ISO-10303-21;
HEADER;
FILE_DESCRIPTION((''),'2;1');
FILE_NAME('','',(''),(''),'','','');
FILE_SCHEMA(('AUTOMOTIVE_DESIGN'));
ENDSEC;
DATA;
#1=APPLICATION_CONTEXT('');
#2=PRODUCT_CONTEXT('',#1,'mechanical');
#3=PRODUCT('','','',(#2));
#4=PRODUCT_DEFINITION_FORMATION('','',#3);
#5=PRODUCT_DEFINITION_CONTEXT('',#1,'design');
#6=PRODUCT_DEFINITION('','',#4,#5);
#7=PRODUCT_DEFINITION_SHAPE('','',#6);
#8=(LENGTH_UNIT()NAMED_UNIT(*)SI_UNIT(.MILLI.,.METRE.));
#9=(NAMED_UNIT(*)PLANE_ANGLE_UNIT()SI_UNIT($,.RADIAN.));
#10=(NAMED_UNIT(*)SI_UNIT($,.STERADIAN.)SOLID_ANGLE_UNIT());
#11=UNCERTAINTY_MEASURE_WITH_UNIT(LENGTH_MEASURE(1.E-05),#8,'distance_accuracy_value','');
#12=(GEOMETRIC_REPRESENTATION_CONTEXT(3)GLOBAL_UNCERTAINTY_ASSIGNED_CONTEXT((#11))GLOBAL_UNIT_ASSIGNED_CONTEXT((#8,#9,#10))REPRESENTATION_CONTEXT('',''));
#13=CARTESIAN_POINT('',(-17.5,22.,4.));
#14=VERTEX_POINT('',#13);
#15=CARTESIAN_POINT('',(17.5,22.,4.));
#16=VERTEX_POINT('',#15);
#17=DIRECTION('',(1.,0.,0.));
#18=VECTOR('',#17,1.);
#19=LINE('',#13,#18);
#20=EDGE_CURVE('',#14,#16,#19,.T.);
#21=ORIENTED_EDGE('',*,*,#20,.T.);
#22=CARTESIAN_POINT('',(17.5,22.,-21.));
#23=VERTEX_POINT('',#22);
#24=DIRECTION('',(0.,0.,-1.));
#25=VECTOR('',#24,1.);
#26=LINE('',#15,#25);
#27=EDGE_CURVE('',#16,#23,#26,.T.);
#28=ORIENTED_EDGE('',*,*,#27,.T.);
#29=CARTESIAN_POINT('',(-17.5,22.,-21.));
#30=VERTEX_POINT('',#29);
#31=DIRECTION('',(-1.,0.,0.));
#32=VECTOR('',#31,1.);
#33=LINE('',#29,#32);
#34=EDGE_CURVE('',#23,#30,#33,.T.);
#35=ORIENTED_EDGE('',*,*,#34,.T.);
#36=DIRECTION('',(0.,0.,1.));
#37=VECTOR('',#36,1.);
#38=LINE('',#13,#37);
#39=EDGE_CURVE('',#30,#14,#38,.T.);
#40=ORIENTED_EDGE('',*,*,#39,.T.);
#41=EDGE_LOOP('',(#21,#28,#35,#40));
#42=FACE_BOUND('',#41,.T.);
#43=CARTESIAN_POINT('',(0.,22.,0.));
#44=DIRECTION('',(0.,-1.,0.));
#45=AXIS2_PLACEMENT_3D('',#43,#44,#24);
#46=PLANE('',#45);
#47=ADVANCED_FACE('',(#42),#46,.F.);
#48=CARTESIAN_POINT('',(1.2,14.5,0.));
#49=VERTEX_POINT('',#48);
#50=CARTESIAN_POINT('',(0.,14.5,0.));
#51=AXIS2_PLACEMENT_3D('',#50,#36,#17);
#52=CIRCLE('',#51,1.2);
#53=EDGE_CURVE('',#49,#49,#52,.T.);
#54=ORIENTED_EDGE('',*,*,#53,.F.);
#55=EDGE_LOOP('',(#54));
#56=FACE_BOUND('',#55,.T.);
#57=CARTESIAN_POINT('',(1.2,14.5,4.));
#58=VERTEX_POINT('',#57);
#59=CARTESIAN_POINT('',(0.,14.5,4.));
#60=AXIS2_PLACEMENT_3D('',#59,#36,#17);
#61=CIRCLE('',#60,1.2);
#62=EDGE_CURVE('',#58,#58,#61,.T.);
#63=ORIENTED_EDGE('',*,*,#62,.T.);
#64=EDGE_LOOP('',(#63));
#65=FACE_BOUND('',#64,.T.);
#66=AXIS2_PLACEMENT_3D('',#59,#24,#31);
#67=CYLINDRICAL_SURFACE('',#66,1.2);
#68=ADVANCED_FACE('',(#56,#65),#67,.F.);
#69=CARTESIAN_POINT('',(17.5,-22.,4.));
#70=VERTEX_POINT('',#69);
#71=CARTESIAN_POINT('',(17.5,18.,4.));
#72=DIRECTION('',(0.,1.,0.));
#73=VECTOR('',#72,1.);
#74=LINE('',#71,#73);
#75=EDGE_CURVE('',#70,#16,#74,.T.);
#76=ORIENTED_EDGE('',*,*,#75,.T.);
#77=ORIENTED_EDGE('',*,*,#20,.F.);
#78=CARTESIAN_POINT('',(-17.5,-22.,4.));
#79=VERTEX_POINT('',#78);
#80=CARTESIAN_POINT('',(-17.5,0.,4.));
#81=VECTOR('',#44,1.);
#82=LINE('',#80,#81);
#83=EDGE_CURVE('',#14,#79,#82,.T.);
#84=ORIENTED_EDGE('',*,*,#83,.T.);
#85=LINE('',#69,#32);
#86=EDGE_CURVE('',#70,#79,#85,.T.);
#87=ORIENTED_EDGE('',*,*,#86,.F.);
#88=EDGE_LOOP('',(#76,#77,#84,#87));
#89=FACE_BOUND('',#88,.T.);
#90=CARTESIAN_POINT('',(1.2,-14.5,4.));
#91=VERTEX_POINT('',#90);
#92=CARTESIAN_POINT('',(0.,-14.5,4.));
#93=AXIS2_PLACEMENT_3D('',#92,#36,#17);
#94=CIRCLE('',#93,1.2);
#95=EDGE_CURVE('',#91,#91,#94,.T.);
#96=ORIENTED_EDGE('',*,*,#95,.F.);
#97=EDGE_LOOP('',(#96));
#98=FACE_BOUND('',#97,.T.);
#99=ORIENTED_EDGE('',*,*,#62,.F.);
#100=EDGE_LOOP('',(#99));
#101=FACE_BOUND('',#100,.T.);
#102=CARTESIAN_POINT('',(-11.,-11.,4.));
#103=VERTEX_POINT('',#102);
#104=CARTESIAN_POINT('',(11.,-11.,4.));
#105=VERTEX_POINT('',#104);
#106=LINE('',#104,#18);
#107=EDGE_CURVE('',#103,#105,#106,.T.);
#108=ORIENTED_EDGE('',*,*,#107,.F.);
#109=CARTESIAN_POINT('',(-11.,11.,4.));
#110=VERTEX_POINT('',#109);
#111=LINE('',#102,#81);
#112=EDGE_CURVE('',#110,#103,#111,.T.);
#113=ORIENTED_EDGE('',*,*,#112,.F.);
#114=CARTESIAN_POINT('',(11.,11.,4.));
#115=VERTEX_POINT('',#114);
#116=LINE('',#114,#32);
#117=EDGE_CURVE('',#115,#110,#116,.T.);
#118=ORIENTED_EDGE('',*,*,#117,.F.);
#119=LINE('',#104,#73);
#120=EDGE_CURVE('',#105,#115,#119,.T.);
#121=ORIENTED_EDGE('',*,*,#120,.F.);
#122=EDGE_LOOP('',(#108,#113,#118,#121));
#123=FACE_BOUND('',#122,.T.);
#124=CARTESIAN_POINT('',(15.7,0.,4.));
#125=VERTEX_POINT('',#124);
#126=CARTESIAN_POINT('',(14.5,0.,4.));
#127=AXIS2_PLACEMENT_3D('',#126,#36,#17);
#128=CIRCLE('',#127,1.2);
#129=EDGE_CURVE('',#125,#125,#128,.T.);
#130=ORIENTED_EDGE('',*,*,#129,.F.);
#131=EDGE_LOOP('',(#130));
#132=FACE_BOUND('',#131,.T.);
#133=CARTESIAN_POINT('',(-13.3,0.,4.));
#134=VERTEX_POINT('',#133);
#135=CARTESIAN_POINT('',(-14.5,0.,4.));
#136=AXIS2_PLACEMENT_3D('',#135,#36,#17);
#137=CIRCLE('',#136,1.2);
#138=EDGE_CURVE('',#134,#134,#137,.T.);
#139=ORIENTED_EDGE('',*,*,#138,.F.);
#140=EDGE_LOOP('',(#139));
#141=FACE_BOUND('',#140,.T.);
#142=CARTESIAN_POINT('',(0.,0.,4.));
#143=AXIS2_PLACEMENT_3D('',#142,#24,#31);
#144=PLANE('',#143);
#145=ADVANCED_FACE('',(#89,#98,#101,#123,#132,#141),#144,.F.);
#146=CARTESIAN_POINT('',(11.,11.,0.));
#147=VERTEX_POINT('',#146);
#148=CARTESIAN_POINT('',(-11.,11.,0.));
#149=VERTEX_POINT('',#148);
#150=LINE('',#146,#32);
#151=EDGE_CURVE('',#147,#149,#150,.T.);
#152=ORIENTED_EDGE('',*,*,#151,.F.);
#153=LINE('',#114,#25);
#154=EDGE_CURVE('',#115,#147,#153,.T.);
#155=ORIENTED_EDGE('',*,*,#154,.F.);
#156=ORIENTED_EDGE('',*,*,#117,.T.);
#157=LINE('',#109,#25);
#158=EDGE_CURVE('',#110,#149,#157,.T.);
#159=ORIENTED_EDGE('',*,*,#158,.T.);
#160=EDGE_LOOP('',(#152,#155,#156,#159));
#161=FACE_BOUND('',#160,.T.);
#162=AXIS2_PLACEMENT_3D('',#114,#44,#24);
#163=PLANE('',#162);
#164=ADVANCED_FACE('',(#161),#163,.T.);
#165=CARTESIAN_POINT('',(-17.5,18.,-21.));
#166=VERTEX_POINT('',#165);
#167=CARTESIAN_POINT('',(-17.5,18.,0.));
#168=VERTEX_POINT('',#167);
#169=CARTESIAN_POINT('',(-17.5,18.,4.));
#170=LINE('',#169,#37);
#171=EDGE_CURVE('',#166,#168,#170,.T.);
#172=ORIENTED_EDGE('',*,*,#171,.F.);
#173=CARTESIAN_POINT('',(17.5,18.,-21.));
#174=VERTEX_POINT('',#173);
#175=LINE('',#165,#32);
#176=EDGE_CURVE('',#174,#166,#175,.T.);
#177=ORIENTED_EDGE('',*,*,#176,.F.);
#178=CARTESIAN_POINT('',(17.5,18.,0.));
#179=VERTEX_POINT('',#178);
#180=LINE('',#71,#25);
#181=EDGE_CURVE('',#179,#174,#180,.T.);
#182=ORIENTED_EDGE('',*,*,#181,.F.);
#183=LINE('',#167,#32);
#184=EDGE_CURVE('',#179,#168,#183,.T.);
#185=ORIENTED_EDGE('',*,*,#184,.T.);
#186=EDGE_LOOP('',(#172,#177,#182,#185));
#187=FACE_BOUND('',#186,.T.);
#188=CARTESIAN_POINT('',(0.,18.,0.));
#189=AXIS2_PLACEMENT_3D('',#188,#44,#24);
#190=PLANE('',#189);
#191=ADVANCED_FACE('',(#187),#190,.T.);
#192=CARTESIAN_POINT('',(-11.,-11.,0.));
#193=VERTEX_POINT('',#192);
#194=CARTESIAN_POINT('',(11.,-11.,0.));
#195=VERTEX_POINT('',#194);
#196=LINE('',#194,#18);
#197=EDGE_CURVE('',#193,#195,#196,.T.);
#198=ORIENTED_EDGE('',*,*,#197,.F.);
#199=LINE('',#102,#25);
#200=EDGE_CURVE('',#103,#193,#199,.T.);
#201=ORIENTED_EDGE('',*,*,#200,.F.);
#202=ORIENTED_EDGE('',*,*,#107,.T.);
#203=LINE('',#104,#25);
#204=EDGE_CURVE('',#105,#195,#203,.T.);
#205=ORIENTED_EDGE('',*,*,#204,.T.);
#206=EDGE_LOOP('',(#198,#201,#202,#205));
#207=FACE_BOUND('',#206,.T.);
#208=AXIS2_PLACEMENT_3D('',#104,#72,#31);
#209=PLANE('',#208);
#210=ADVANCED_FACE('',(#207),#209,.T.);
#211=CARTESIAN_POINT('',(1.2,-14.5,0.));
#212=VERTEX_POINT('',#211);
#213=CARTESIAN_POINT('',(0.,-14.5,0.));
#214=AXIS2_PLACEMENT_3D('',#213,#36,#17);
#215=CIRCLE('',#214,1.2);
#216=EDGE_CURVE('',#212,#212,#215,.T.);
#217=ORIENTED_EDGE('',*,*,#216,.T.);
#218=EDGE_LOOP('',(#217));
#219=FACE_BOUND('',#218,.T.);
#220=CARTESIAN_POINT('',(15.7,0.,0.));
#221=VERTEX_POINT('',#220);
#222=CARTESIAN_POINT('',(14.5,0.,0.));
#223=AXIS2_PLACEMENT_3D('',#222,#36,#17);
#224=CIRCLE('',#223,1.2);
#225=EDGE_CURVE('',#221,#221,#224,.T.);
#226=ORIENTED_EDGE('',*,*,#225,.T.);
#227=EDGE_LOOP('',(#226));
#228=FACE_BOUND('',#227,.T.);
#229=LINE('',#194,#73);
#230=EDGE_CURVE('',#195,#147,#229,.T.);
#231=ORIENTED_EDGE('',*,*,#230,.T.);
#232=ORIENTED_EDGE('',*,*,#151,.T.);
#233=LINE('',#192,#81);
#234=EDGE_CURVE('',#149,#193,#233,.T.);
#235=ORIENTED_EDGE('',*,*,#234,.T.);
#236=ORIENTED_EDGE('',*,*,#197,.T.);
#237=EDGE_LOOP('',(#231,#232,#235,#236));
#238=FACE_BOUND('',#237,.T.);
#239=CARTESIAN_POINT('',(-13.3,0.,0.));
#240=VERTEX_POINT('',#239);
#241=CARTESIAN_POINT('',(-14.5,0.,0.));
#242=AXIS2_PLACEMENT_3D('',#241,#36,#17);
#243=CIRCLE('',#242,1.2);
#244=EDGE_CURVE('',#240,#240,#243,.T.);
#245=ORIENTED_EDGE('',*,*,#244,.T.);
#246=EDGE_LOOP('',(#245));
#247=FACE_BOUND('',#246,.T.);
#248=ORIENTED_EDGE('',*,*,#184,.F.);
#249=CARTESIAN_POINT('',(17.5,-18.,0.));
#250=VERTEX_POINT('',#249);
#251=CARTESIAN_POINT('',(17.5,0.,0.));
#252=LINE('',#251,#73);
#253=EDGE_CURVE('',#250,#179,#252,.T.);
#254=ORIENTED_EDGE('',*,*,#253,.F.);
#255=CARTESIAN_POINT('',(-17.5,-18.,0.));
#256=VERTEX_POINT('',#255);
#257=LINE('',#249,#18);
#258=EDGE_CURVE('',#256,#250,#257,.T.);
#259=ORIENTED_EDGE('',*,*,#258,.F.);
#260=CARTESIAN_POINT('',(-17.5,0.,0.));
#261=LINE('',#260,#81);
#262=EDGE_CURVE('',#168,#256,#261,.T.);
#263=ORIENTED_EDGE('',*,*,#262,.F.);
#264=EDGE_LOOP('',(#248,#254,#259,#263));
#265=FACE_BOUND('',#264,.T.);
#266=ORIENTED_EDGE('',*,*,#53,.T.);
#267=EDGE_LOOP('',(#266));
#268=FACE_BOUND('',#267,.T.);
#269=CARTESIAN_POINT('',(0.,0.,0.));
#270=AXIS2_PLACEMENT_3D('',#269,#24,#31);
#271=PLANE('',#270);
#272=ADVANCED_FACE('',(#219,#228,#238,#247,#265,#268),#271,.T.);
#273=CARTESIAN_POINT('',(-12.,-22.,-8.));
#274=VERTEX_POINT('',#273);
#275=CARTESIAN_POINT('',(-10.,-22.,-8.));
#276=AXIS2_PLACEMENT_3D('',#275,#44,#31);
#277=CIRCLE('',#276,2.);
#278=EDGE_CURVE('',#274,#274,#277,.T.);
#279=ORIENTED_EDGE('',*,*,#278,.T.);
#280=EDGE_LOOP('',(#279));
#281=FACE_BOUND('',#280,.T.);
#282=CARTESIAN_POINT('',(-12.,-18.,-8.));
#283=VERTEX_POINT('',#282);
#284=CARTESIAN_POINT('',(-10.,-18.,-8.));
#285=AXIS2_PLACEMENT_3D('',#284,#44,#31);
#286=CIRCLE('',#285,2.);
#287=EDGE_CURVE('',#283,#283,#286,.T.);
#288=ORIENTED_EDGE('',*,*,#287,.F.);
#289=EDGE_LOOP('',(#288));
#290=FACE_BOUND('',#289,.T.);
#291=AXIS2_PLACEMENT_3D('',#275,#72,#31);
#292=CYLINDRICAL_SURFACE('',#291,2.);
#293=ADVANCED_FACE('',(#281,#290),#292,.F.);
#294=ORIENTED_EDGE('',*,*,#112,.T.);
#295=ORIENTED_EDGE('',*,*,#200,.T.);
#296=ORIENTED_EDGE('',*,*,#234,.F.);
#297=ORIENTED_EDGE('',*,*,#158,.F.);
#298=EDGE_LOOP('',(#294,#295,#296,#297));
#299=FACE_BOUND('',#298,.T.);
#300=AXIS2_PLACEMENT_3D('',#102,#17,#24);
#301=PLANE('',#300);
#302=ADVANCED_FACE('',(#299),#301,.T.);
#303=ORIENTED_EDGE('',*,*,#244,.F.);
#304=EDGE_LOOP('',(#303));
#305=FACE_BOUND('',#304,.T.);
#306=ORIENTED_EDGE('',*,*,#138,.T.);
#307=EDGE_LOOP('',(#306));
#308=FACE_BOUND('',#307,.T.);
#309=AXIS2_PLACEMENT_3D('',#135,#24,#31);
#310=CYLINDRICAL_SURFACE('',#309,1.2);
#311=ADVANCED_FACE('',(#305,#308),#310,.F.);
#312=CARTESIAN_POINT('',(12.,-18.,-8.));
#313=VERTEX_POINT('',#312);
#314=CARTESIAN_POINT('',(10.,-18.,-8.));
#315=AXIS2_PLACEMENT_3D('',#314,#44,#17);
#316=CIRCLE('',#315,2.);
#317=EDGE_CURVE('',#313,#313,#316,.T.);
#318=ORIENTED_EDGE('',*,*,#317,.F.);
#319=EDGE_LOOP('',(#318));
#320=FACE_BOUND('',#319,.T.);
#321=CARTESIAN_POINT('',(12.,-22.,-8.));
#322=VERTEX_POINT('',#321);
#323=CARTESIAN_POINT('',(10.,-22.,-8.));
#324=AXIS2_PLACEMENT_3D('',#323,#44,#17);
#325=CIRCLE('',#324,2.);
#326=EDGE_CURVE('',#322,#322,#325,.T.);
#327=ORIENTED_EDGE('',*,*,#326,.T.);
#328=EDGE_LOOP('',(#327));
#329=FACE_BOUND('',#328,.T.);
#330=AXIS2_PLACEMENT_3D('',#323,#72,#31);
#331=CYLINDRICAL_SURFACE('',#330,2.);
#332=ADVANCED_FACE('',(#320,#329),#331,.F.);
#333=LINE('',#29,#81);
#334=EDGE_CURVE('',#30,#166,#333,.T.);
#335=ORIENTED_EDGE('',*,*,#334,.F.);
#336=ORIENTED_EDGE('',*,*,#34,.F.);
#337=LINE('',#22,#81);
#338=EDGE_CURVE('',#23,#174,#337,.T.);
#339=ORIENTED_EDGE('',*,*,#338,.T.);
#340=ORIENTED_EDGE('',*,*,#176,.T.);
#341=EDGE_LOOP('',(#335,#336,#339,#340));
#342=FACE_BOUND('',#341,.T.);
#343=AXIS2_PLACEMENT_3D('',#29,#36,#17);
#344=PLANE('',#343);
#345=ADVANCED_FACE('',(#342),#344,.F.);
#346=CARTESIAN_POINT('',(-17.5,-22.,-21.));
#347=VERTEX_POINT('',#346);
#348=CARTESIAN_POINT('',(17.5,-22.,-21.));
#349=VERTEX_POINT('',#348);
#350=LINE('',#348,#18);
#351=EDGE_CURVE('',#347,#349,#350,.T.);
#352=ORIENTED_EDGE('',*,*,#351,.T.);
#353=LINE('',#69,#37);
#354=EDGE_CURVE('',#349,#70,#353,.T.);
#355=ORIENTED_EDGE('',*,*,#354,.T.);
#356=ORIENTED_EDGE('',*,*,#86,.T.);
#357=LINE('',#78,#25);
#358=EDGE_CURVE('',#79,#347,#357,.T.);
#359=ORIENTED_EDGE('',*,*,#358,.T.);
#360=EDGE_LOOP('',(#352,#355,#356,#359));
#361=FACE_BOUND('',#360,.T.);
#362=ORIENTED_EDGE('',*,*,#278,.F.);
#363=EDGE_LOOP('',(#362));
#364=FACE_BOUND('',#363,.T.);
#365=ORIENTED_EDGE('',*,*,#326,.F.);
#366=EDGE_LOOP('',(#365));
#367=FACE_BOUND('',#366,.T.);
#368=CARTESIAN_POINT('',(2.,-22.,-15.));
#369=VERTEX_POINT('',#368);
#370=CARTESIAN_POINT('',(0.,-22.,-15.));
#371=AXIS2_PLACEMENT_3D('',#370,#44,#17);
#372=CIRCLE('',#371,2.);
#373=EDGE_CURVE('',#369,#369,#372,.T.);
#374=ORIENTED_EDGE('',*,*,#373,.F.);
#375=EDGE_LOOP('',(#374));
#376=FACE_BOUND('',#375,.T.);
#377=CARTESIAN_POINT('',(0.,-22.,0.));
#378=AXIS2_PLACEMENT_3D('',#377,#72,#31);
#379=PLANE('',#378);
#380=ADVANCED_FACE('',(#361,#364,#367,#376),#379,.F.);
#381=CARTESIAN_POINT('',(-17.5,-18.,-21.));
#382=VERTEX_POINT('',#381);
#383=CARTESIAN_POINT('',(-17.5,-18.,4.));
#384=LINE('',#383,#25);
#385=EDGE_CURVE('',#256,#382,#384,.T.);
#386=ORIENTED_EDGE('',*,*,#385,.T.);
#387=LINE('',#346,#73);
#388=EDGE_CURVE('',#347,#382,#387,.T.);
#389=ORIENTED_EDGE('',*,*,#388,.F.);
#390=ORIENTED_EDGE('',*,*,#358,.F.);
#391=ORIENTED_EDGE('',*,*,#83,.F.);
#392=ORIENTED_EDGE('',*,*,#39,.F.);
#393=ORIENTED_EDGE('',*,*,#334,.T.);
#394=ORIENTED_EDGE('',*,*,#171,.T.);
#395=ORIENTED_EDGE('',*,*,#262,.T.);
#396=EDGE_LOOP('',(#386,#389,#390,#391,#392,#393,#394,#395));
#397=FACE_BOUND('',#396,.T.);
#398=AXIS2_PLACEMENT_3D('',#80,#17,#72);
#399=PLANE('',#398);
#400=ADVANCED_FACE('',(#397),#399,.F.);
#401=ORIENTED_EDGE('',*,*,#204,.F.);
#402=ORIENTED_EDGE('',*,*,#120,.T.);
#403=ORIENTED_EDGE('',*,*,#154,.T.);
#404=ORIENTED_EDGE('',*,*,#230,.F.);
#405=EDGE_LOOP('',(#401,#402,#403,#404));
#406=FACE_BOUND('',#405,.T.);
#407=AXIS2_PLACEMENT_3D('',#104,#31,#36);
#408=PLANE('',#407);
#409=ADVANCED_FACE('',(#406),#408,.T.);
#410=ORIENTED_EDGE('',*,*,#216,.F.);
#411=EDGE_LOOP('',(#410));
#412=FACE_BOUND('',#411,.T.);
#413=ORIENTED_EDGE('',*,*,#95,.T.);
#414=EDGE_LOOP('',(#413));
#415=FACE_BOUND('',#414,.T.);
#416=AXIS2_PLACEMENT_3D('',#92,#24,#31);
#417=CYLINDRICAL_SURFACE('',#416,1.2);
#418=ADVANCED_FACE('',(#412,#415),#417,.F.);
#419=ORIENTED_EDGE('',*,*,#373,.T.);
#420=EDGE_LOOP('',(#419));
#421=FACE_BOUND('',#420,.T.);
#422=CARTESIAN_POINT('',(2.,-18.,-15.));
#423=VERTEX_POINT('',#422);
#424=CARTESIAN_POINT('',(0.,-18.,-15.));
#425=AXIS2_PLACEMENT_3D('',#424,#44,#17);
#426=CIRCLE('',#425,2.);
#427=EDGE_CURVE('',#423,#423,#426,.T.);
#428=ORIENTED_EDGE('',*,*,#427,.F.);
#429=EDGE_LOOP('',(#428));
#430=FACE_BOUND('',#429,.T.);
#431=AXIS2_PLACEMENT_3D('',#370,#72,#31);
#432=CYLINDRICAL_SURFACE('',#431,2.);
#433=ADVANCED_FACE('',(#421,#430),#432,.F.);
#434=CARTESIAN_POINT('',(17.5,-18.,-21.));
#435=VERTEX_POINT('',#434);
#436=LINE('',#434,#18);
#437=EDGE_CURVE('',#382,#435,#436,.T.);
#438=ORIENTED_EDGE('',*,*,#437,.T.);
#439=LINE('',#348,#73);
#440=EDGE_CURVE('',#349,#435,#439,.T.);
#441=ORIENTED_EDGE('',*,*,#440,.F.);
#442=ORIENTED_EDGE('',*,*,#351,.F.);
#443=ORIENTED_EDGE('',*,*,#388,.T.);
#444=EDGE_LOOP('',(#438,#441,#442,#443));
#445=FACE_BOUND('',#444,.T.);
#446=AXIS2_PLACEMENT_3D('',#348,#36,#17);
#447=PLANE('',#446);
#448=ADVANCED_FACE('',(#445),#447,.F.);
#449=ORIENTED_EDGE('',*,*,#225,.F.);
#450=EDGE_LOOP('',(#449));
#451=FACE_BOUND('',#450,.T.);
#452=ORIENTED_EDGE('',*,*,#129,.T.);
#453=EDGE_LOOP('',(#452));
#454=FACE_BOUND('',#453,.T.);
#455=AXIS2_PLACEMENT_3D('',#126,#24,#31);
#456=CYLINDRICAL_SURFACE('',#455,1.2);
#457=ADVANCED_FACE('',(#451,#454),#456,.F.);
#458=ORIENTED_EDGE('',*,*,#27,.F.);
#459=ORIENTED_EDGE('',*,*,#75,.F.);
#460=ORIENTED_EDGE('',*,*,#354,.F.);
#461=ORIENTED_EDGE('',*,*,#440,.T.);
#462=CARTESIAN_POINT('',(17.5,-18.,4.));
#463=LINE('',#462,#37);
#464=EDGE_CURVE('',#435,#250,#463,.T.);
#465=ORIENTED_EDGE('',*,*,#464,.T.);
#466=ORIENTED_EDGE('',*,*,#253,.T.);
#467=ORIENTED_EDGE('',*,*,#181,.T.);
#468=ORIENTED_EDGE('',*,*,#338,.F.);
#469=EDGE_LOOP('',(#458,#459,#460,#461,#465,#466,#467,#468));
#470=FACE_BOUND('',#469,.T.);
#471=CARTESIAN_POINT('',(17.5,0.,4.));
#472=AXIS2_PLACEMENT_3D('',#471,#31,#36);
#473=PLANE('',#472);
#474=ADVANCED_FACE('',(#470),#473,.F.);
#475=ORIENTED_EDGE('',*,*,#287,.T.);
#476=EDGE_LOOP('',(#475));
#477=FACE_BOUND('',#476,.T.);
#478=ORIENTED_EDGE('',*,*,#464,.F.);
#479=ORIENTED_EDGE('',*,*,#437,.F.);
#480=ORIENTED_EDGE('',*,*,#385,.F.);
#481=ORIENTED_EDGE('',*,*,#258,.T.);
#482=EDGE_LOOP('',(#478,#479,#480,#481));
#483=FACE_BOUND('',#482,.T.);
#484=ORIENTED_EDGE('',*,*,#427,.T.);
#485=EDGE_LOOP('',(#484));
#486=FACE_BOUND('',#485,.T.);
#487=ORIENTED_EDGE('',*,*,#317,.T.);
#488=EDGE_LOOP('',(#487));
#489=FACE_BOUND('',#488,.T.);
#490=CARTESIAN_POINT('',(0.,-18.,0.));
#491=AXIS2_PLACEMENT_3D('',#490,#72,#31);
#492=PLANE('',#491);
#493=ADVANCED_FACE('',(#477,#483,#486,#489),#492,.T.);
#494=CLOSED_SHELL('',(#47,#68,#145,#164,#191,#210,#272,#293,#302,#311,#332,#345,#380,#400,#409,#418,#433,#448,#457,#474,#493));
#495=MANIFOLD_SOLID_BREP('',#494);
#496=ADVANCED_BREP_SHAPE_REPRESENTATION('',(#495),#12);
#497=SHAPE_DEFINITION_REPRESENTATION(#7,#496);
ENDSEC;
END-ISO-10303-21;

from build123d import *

# Parameters (mm, degrees)
SKETCH_1_R      = 1.2
SKETCH_1_W      = 22
SKETCH_1_H      = 22
EXTRUDE_1_DEPTH = 4
SKETCH_2_W      = 35
SKETCH_2_H      = 25
SKETCH_2_R      = 2
EXTRUDE_2_DEPTH = 4
SKETCH_3_W      = 35
SKETCH_3_H      = 25
EXTRUDE_3_DEPTH = 4


with BuildPart() as part:
    # 草图1 → 凸台-拉伸1 (new body)
    with BuildSketch(Plane.XY):
        Polygon((17.5, 0), (17.5, -18), (-17.5, -18), (-17.5, 0), (-17.5, 18), (17.5, 18), align=None)
        with Locations((0, 14.5)):
            Circle(SKETCH_1_R, mode=Mode.SUBTRACT)
        with Locations((14.5, 0)):
            Circle(SKETCH_1_R, mode=Mode.SUBTRACT)
        with Locations((0, -14.5)):
            Circle(SKETCH_1_R, mode=Mode.SUBTRACT)
        with Locations((-14.5, 0)):
            Circle(SKETCH_1_R, mode=Mode.SUBTRACT)
        Rectangle(SKETCH_1_W, SKETCH_1_H, mode=Mode.SUBTRACT)
    extrude(amount=EXTRUDE_1_DEPTH)

    # 草图2 → 凸台-拉伸2 (add)
    with BuildSketch(Plane.XZ.offset(18)):
        with Locations((0, -8.5)):
            Rectangle(SKETCH_2_W, SKETCH_2_H)
        with Locations((10, -8)):
            Circle(SKETCH_2_R, mode=Mode.SUBTRACT)
        with Locations((0, -15)):
            Circle(SKETCH_2_R, mode=Mode.SUBTRACT)
        with Locations(Location((-10, -8, 0), (0, 0, 180))):
            Circle(SKETCH_2_R, mode=Mode.SUBTRACT)
    extrude(amount=EXTRUDE_2_DEPTH)

    # 草图3 → 凸台-拉伸3 (add)
    with BuildSketch(Plane(origin=(0, 18, 0), x_dir=(1, 0, 0), z_dir=(0, 1, 0))):
        with Locations((0, 8.5)):
            Rectangle(SKETCH_3_W, SKETCH_3_H)
    extrude(amount=EXTRUDE_3_DEPTH)


solid = part.part
